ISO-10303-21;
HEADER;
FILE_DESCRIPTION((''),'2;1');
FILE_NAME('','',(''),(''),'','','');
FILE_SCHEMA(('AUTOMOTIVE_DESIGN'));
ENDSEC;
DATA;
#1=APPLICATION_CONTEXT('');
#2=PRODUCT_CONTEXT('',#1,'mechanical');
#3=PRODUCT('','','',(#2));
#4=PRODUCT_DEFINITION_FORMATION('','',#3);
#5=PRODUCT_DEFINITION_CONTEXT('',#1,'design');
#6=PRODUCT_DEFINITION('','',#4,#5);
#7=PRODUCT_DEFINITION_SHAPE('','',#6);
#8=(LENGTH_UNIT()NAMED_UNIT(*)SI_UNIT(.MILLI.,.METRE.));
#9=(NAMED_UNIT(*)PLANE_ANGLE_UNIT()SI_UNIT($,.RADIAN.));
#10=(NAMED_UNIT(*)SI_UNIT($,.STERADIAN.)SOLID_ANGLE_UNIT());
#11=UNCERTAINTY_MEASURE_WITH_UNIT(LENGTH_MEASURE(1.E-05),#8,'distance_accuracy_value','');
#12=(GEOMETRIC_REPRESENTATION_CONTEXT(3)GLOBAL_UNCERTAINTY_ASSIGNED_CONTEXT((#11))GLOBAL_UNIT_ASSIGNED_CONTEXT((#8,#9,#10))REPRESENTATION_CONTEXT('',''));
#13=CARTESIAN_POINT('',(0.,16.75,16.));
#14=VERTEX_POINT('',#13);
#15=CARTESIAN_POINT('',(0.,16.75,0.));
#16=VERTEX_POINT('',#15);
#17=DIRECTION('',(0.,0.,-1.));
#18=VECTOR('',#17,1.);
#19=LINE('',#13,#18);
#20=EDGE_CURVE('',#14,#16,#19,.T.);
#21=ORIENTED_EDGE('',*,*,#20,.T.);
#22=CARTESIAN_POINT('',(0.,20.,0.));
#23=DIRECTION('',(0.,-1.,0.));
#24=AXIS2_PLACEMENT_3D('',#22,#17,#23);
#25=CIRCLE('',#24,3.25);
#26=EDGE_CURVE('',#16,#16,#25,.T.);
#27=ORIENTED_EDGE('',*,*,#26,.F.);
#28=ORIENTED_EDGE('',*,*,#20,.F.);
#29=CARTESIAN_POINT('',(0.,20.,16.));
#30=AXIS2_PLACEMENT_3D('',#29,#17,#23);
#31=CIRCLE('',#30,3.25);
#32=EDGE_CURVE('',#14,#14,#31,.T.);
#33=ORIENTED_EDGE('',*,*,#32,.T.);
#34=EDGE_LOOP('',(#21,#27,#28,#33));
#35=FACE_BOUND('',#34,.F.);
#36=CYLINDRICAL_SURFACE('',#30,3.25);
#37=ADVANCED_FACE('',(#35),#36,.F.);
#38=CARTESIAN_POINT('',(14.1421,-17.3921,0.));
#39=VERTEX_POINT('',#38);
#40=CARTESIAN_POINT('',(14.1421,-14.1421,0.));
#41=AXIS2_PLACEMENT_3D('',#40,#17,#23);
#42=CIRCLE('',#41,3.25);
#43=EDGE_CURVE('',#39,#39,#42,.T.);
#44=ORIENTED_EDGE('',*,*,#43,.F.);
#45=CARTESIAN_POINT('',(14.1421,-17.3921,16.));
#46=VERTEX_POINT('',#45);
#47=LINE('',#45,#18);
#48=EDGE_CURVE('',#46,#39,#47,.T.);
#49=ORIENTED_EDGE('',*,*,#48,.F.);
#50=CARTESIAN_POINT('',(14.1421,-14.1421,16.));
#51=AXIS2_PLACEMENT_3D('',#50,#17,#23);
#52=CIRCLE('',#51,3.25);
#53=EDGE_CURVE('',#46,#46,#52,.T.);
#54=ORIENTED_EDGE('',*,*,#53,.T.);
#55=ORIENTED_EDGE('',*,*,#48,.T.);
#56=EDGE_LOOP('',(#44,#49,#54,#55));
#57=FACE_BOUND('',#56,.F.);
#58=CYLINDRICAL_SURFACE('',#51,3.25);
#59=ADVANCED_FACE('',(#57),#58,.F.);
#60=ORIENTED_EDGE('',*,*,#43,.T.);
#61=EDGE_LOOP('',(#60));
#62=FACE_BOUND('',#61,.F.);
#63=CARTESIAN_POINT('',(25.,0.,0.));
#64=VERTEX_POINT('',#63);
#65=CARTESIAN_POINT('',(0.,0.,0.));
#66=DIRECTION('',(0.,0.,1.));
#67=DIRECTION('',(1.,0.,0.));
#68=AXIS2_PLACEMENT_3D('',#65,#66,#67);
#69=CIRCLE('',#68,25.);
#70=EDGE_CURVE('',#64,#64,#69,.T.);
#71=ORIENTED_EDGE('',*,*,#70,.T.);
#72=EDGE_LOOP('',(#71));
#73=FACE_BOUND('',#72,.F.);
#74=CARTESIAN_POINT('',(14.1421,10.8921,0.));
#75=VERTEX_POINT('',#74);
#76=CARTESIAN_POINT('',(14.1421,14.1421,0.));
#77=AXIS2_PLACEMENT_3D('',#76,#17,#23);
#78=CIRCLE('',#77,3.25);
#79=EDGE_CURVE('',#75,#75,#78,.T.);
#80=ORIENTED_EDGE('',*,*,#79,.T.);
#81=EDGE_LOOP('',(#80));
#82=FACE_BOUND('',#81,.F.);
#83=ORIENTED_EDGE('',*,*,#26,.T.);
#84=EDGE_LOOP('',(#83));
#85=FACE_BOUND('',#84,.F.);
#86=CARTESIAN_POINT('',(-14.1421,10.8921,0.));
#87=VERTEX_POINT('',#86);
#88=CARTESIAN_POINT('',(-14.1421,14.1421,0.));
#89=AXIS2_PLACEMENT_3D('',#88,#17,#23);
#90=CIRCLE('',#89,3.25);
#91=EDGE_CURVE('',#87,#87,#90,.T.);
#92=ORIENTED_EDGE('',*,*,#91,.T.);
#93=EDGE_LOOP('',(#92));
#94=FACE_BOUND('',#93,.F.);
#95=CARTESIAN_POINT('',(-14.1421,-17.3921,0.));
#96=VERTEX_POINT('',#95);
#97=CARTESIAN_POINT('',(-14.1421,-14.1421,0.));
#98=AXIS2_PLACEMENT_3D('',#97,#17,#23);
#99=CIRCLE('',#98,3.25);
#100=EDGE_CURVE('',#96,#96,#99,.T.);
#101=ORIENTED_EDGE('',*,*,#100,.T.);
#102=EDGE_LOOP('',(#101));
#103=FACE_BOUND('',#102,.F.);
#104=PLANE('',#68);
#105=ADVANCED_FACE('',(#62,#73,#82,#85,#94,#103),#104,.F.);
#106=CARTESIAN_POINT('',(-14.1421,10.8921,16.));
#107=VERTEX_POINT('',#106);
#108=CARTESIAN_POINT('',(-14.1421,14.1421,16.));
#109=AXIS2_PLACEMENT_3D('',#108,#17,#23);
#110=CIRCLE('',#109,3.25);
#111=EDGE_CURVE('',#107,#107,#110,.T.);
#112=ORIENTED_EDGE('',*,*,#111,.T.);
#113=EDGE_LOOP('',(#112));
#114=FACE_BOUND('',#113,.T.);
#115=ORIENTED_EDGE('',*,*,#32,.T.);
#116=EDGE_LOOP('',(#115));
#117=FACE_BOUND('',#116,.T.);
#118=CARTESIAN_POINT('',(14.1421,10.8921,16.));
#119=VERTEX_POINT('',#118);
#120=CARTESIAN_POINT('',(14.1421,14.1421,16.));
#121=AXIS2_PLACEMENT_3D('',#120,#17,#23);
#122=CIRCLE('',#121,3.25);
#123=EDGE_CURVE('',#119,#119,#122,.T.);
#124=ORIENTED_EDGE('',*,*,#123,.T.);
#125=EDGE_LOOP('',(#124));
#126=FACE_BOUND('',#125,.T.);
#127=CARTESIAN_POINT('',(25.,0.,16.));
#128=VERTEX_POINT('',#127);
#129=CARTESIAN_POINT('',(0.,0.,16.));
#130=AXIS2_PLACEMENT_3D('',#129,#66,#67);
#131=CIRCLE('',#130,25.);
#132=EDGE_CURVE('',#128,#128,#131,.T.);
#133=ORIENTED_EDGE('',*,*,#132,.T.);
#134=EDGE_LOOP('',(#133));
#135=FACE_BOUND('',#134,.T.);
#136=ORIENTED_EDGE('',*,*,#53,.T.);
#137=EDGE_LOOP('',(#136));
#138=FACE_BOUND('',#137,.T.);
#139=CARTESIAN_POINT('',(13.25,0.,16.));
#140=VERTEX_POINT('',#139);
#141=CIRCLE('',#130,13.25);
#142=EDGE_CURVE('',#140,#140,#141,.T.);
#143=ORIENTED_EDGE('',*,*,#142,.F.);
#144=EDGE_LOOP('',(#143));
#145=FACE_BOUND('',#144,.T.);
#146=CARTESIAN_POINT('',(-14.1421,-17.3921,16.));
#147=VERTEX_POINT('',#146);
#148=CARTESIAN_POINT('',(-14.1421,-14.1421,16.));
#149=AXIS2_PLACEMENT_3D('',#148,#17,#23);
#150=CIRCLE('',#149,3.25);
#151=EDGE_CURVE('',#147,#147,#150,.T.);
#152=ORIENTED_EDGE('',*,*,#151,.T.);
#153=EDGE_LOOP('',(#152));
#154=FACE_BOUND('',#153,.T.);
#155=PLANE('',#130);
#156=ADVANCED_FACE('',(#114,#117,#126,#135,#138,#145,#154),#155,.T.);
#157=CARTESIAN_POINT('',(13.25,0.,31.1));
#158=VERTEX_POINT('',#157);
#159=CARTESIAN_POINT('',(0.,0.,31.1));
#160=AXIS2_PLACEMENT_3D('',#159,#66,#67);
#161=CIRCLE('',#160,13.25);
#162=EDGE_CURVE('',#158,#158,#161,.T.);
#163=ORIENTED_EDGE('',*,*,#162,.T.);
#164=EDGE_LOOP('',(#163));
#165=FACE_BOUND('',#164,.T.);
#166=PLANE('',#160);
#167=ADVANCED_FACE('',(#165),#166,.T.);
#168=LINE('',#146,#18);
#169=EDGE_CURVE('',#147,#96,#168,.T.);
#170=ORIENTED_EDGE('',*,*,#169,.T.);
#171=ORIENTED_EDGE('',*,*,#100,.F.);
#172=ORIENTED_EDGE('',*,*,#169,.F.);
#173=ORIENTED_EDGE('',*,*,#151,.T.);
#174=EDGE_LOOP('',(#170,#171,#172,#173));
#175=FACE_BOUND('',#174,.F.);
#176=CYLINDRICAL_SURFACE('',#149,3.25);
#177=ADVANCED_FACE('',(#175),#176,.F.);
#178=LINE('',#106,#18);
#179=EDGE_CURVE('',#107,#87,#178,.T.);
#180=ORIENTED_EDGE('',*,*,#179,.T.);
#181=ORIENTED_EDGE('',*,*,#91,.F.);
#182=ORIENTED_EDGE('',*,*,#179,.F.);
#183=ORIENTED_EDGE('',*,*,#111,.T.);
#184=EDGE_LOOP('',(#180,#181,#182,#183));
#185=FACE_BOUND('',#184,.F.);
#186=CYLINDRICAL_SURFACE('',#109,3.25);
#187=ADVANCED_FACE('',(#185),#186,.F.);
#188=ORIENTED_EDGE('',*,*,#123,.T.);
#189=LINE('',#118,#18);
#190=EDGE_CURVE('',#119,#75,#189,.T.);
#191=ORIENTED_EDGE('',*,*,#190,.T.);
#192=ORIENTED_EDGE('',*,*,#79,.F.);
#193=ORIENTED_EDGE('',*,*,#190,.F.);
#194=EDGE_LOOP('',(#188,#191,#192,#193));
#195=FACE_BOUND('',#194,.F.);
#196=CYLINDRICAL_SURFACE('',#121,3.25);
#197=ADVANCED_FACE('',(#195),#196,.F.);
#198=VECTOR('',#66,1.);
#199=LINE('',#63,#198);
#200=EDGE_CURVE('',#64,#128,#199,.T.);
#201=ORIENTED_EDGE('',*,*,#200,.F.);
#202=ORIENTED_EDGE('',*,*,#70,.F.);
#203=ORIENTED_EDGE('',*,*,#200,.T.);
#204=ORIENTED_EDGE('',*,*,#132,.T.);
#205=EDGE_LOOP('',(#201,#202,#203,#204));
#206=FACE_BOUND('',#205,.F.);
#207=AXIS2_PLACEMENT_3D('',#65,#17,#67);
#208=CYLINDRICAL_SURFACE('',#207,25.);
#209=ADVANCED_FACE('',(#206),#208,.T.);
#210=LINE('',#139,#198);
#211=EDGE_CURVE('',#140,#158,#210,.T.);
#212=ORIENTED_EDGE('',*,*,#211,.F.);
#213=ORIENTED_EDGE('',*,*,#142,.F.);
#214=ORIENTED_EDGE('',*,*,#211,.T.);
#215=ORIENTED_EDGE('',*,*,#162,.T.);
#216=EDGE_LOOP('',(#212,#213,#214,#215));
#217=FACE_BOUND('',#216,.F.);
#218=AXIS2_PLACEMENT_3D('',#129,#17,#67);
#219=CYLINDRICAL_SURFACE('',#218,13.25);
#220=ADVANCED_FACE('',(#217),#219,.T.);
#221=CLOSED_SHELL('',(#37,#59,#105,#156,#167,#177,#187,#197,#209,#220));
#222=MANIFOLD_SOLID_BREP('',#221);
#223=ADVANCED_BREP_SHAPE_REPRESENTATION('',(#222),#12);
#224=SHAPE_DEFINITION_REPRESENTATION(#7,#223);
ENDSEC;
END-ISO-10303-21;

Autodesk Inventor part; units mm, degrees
ref_plane "YZ Plane" through (0, 0, 0) normal (1, 0, 0) x (0, 1, 0)
ref_plane "XZ Plane" through (0, 0, 0) normal (0, 1, 0) x (-1, 0, 0)
sketch "Sketch1" plane through (0, 0, 0) normal (0, 0, 1) x (1, 0, 0)
  circle A0 centre (0, 0) radius 25
  dimension "d0" = 50
extrude "Extrusion1" add sketch "Sketch1" along normal blind 16
sketch "Sketch2" plane through (0, 0, 16) normal (0, 0, 1) x (1, 0, 0)
  line L0 (0, 0) -> (-14.1421, 14.1421)
  line L1 (0, 0) -> (-17.9491, 0)
  point P0 (-14.1421, -14.1421)
  point P1 (-14.1421, -14.1421)
  point P2 (14.1421, -14.1421)
  point P3 (14.1421, -14.1421)
  point P4 (14.1421, 14.1421)
  point P5 (14.1421, 14.1421)
  point P6 (0, 20)
  dimension "d3" = 45
  dimension "d4" = 20
  dimension "d7" = 360
  dimension "d9" = 20
hole "Hole1" at (-14.1421, 14.1421, 16) at (-14.1421, -14.1421, 16) at (14.1421, -14.1421, 16) at (14.1421, 14.1421, 16) at (0, 20, 16) direction (0, 0, -1) diameter 6.5 end through all
sketch "Sketch3" plane through (0, 0, 16) normal (0, 0, 1) x (1, 0, 0)
  circle A0 centre (0, 0) radius 13.25
  dimension "d17" = 26.5
extrude "Extrusion2" add sketch "Sketch3" along normal blind 15.1
sketch "Sketch4" plane through (0, 0, 31.1) normal (0, 0, 1) x (1, 0, 0)
  circle A0 centre (0, 0) radius 13.25 projected
  point P0 (13.25, 0)
ref_plane "Work Plane1" through (13.25, 0, 31.1) normal (1, 0, 0) x (0, 1, 0)
properties part number "SoporteIRB"
